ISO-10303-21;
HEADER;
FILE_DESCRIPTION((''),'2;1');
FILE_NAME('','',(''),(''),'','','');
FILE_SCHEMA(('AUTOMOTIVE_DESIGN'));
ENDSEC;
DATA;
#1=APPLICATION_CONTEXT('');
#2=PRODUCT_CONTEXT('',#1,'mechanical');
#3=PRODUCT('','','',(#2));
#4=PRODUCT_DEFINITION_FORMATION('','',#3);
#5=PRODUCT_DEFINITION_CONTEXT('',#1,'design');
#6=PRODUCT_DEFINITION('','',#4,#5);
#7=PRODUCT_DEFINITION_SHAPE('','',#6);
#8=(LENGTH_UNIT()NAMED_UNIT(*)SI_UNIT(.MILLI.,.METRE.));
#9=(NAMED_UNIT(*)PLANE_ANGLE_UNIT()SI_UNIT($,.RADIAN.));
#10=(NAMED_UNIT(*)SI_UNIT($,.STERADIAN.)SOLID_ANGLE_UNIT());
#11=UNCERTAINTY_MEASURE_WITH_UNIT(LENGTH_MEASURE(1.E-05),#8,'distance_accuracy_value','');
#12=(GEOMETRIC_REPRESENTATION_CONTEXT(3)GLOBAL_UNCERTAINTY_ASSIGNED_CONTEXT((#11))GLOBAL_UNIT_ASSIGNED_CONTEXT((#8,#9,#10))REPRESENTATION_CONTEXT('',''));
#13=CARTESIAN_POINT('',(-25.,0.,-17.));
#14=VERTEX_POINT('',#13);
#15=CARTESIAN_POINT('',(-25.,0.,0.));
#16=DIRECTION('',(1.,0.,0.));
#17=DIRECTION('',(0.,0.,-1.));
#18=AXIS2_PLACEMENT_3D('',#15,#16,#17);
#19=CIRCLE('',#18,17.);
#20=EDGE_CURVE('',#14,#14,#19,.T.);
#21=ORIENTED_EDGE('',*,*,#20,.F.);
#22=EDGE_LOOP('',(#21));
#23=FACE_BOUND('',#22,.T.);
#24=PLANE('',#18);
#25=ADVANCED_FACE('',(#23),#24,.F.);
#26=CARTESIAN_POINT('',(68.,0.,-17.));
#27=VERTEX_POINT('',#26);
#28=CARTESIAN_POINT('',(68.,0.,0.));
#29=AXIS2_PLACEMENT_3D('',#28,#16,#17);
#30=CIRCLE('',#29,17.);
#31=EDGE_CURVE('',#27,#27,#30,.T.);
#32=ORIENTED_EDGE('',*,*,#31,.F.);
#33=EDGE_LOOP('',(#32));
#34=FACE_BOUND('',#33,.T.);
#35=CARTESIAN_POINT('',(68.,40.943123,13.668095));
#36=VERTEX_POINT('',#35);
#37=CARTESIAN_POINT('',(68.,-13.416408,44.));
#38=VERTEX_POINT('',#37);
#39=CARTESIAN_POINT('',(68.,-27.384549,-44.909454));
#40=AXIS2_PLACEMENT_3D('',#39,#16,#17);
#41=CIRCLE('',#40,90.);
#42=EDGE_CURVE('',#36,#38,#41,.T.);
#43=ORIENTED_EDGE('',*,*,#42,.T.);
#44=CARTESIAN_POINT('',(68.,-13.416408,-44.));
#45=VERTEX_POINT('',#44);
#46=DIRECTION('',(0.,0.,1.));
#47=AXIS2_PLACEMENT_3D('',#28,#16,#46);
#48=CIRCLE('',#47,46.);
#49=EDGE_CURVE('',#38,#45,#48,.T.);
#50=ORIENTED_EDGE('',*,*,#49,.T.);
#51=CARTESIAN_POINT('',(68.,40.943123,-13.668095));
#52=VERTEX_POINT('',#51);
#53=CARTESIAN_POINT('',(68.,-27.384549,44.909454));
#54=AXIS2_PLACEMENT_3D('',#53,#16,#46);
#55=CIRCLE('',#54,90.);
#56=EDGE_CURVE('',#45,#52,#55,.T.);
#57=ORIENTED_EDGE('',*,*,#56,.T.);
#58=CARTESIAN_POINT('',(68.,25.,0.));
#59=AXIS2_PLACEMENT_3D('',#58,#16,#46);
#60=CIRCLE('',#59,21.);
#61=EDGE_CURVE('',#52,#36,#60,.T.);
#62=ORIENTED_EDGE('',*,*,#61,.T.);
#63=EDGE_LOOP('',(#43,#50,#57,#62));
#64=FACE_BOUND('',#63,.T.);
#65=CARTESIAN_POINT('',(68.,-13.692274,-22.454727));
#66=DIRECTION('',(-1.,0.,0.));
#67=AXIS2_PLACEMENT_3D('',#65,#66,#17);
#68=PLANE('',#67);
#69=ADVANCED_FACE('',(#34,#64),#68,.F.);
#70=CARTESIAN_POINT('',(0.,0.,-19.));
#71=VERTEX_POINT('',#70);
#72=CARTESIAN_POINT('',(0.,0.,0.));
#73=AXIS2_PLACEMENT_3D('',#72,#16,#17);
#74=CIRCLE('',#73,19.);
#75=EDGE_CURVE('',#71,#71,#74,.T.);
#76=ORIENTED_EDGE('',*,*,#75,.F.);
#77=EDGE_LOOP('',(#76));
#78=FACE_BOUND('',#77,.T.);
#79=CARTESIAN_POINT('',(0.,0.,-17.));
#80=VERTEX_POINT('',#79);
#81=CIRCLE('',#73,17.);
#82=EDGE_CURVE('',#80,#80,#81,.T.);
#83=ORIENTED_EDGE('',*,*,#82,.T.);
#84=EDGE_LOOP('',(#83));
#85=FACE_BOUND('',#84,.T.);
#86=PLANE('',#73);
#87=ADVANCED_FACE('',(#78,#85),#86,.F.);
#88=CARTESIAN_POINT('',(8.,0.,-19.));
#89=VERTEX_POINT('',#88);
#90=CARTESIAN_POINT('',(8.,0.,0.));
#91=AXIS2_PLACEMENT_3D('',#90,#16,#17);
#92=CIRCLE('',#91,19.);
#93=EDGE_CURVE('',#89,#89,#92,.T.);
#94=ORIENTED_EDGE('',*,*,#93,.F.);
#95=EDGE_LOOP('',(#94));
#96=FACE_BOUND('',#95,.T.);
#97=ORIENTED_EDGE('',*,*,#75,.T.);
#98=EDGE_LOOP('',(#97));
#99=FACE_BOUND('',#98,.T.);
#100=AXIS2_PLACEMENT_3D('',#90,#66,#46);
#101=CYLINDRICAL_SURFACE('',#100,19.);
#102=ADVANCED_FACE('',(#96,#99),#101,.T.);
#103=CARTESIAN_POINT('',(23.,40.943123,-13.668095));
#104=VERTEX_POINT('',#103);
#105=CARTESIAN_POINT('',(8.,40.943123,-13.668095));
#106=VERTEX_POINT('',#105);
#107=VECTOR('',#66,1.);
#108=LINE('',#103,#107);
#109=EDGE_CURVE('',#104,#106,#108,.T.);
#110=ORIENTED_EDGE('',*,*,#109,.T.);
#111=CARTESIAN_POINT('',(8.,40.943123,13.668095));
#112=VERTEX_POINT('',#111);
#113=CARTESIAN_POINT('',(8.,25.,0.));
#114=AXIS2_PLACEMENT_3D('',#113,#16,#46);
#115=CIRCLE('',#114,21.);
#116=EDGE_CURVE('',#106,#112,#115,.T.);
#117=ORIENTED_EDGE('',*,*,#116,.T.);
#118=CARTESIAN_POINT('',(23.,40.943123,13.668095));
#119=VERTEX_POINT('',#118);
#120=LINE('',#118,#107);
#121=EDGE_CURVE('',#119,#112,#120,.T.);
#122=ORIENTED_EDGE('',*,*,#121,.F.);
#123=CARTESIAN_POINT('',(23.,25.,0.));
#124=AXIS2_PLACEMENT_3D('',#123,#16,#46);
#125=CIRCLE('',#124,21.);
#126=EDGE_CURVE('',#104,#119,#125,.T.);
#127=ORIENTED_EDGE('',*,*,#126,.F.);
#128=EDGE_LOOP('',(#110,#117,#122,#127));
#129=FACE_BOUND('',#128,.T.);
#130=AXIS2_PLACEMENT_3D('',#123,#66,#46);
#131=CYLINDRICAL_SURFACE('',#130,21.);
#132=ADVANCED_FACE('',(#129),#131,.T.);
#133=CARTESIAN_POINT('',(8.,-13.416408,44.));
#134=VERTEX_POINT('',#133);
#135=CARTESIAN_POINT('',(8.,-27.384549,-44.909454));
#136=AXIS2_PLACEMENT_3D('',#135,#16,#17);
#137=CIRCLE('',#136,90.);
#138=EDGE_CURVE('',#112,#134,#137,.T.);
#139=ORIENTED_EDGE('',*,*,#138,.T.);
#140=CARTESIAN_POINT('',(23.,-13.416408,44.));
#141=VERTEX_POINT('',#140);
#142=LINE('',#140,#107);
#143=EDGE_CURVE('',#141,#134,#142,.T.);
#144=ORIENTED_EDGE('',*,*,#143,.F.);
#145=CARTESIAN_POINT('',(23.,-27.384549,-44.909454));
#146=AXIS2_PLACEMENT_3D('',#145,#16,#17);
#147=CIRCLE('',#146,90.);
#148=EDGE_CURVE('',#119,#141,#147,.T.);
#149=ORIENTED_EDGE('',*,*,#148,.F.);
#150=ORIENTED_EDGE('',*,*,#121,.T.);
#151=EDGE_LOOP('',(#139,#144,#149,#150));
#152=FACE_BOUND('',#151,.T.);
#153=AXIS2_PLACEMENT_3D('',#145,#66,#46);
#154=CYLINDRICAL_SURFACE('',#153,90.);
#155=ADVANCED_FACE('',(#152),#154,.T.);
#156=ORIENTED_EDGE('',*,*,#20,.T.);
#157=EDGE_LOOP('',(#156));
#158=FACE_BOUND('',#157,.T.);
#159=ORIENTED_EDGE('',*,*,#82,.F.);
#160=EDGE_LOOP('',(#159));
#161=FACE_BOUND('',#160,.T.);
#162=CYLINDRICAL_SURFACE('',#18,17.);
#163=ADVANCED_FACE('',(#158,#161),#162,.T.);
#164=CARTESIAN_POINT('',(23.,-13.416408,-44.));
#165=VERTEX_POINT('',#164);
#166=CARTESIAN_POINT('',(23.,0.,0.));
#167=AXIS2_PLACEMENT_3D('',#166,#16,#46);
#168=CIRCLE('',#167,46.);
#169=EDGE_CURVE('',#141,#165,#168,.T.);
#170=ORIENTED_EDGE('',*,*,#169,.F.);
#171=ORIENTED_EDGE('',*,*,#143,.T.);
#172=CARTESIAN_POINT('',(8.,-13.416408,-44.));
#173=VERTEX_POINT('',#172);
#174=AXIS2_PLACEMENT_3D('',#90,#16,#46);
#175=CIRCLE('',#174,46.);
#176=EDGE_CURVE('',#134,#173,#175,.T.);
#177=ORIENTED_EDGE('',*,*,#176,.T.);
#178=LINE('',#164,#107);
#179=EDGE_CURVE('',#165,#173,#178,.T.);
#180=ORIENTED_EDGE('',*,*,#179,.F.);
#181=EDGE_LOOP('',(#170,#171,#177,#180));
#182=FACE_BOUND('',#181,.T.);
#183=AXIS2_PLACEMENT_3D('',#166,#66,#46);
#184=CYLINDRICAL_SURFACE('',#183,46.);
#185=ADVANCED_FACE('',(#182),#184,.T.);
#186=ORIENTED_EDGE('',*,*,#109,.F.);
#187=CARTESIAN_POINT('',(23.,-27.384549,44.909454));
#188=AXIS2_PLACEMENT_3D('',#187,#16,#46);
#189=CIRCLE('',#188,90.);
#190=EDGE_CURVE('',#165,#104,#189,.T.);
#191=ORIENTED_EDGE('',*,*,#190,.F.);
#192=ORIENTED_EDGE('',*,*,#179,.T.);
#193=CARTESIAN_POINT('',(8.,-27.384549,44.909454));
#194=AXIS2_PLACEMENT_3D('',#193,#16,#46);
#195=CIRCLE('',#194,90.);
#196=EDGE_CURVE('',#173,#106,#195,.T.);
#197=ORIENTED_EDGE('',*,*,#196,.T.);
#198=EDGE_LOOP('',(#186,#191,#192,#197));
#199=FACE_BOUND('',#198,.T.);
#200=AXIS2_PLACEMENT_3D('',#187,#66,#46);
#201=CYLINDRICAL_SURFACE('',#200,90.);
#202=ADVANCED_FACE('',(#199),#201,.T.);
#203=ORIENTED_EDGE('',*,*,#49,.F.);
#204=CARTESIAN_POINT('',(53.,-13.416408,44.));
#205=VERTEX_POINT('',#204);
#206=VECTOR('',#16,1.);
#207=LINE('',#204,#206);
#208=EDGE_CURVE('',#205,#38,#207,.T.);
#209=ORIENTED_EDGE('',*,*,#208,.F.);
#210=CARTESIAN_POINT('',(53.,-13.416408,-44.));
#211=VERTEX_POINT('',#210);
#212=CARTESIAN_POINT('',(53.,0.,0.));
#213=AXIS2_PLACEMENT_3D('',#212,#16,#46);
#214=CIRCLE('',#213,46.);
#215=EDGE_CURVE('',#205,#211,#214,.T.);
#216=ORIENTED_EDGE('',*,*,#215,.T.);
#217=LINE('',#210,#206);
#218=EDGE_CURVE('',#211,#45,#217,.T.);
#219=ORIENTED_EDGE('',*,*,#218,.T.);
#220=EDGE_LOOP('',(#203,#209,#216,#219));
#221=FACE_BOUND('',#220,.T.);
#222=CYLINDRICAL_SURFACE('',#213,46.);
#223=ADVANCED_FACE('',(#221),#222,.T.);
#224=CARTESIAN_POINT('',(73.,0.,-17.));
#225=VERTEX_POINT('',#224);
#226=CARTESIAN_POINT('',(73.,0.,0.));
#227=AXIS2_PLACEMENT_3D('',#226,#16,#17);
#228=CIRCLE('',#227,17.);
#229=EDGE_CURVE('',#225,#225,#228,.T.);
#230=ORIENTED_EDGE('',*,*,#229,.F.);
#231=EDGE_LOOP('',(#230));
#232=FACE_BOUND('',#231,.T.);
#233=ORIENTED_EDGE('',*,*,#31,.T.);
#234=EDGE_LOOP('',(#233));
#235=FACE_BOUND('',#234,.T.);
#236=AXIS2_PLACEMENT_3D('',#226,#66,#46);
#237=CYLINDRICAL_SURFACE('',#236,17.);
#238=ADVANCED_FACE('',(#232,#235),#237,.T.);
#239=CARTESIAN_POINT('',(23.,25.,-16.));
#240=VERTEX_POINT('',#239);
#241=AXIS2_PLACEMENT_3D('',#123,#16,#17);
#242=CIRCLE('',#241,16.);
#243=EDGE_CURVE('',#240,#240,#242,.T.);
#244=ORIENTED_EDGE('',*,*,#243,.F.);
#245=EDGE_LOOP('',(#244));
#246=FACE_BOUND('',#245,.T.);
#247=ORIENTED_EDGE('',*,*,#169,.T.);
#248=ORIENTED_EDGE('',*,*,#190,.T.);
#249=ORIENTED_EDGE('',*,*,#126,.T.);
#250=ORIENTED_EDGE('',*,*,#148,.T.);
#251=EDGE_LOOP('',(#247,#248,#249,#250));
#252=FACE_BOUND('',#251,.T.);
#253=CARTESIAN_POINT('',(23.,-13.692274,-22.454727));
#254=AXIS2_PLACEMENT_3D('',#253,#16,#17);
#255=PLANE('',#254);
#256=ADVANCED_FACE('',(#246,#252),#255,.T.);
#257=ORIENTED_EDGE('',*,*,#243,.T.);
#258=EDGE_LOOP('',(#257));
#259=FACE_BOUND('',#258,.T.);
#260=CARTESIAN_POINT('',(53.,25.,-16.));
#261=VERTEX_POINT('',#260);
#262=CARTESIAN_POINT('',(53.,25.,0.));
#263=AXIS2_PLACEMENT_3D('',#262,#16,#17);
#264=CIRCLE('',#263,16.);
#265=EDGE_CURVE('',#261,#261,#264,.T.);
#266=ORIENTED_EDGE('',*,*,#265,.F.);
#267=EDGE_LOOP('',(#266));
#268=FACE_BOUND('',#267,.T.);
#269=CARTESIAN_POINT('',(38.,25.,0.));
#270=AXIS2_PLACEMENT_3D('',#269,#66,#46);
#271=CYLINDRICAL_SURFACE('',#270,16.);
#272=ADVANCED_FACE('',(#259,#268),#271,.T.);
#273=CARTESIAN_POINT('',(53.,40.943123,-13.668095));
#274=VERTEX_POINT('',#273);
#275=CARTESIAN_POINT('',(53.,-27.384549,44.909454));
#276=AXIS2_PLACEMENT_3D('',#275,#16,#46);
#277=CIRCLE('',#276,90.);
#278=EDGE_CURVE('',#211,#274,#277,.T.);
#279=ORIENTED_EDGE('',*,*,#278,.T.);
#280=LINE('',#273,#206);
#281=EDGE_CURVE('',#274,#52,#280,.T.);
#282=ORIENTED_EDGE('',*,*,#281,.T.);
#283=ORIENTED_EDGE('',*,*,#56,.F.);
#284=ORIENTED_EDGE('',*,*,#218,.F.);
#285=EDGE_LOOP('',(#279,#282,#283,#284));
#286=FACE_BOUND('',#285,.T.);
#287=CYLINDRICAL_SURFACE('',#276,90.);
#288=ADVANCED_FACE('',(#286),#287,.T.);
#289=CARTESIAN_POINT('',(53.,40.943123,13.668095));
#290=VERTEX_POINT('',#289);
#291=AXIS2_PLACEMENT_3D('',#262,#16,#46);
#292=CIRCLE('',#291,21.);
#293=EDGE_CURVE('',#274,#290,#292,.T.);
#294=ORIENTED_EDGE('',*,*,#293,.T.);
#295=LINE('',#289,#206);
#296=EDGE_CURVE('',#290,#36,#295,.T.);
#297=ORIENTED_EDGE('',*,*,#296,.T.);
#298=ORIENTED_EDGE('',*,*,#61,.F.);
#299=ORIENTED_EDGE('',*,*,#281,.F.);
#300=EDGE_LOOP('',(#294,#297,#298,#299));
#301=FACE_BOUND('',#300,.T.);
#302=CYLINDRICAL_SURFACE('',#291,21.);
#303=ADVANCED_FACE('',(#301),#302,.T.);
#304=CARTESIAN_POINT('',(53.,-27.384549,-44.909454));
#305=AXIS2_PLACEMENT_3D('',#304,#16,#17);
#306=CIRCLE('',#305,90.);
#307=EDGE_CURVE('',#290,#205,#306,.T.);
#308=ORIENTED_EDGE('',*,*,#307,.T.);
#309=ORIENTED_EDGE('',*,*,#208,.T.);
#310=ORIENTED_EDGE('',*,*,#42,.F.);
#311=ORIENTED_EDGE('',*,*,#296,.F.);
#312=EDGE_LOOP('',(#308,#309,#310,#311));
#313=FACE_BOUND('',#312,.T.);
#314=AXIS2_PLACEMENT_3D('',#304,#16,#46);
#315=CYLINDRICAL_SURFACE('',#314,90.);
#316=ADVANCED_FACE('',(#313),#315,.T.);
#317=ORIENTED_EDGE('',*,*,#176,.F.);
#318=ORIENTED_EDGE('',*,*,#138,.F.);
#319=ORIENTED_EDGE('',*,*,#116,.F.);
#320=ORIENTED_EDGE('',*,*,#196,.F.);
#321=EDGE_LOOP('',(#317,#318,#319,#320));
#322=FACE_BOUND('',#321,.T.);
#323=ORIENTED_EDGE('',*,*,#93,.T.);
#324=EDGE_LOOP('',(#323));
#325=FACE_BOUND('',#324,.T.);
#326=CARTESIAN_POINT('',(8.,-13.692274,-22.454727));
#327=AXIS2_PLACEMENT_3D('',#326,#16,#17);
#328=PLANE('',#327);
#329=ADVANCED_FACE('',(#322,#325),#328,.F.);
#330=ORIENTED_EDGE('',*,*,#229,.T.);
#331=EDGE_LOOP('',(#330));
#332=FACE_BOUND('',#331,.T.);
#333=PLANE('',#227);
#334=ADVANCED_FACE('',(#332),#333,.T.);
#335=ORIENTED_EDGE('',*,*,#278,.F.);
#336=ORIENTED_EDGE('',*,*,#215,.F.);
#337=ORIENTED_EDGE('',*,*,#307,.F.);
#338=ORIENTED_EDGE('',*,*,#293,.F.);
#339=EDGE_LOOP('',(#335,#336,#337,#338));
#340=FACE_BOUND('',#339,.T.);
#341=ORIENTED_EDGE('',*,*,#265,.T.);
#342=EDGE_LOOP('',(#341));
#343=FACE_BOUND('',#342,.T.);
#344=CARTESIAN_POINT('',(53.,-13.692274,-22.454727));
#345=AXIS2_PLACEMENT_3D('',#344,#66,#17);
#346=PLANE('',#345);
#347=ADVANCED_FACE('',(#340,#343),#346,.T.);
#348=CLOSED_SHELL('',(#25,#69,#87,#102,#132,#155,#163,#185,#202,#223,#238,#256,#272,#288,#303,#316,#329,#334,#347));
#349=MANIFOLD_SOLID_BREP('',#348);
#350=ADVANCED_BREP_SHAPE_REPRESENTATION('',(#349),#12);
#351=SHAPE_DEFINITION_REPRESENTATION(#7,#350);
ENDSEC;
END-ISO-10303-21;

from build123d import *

# Parameters (mm, degrees)
SKETCH1_R           = 17
BOSS_EXTRUDE1_DEPTH = 25
SKETCH1_6_R         = 19
BOSS_EXTRUDE5_DEPTH = 8
BOSS_EXTRUDE6_DEPTH = 15
SKETCH4_R           = 16
BOSS_EXTRUDE7_DEPTH = 15
BOSS_EXTRUDE8_START = 5
SKETCH5_R           = 17
BOSS_EXTRUDE8_DEPTH = 5


with BuildPart() as part:
    # Sketch1 → Boss-Extrude1 (new body)
    with BuildSketch(Plane(origin=(0, 0, 0), x_dir=(0, 0, -1), z_dir=(1, 0, 0))):
        Circle(SKETCH1_R)
    extrude(amount=-BOSS_EXTRUDE1_DEPTH)

    # Sketch1<6> → Boss-Extrude5 (add)
    with BuildSketch(Plane(origin=(0, 0, 0), x_dir=(0, 0, -1), z_dir=(1, 0, 0))):
        Circle(SKETCH1_6_R)
    extrude(amount=BOSS_EXTRUDE5_DEPTH)

    # Sketch2 → Boss-Extrude6 (add)
    with BuildSketch(Plane(origin=(8, 0, 0), x_dir=(0, 0, -1), z_dir=(1, 0, 0))):
        with BuildLine():
            ThreePointArc((-13.668094758, 40.943123461), (0, 46), (13.668094758, 40.943123461))
            ThreePointArc((13.668094758, 40.943123461), (33.683444249, 16.469257624), (44, -13.416407865))
            ThreePointArc((44, -13.416407865), (0, -46), (-44, -13.416407865))
            ThreePointArc((-44, -13.416407865), (-33.683444249, 16.469257624), (-13.668094758, 40.943123461))
        make_face()
    boss_extrude6 = extrude(amount=BOSS_EXTRUDE6_DEPTH)

    # Sketch4 → Boss-Extrude7 (add)
    with BuildSketch(Plane(origin=(23, 0, 0), x_dir=(0, 0, -1), z_dir=(1, 0, 0))):
        with Locations((0, 25)):
            Circle(SKETCH4_R)
    boss_extrude7 = extrude(amount=BOSS_EXTRUDE7_DEPTH)

    # Mirror1: Boss-Extrude6, Boss-Extrude7 across plane
    add(boss_extrude6.mirror(Plane(origin=(38, 25, 0), x_dir=(0, 0, 1), z_dir=(1, 0, 0))))
    add(boss_extrude7.mirror(Plane(origin=(38, 25, 0), x_dir=(0, 0, 1), z_dir=(1, 0, 0))))

    # Sketch5 → Boss-Extrude8 (add)
    with BuildSketch(Plane(origin=(68, 0, 0), x_dir=(0, 0, -1), z_dir=(1, 0, 0)).offset(BOSS_EXTRUDE8_START)):
        Circle(SKETCH5_R)
    extrude(amount=-BOSS_EXTRUDE8_DEPTH)


solid = part.part
